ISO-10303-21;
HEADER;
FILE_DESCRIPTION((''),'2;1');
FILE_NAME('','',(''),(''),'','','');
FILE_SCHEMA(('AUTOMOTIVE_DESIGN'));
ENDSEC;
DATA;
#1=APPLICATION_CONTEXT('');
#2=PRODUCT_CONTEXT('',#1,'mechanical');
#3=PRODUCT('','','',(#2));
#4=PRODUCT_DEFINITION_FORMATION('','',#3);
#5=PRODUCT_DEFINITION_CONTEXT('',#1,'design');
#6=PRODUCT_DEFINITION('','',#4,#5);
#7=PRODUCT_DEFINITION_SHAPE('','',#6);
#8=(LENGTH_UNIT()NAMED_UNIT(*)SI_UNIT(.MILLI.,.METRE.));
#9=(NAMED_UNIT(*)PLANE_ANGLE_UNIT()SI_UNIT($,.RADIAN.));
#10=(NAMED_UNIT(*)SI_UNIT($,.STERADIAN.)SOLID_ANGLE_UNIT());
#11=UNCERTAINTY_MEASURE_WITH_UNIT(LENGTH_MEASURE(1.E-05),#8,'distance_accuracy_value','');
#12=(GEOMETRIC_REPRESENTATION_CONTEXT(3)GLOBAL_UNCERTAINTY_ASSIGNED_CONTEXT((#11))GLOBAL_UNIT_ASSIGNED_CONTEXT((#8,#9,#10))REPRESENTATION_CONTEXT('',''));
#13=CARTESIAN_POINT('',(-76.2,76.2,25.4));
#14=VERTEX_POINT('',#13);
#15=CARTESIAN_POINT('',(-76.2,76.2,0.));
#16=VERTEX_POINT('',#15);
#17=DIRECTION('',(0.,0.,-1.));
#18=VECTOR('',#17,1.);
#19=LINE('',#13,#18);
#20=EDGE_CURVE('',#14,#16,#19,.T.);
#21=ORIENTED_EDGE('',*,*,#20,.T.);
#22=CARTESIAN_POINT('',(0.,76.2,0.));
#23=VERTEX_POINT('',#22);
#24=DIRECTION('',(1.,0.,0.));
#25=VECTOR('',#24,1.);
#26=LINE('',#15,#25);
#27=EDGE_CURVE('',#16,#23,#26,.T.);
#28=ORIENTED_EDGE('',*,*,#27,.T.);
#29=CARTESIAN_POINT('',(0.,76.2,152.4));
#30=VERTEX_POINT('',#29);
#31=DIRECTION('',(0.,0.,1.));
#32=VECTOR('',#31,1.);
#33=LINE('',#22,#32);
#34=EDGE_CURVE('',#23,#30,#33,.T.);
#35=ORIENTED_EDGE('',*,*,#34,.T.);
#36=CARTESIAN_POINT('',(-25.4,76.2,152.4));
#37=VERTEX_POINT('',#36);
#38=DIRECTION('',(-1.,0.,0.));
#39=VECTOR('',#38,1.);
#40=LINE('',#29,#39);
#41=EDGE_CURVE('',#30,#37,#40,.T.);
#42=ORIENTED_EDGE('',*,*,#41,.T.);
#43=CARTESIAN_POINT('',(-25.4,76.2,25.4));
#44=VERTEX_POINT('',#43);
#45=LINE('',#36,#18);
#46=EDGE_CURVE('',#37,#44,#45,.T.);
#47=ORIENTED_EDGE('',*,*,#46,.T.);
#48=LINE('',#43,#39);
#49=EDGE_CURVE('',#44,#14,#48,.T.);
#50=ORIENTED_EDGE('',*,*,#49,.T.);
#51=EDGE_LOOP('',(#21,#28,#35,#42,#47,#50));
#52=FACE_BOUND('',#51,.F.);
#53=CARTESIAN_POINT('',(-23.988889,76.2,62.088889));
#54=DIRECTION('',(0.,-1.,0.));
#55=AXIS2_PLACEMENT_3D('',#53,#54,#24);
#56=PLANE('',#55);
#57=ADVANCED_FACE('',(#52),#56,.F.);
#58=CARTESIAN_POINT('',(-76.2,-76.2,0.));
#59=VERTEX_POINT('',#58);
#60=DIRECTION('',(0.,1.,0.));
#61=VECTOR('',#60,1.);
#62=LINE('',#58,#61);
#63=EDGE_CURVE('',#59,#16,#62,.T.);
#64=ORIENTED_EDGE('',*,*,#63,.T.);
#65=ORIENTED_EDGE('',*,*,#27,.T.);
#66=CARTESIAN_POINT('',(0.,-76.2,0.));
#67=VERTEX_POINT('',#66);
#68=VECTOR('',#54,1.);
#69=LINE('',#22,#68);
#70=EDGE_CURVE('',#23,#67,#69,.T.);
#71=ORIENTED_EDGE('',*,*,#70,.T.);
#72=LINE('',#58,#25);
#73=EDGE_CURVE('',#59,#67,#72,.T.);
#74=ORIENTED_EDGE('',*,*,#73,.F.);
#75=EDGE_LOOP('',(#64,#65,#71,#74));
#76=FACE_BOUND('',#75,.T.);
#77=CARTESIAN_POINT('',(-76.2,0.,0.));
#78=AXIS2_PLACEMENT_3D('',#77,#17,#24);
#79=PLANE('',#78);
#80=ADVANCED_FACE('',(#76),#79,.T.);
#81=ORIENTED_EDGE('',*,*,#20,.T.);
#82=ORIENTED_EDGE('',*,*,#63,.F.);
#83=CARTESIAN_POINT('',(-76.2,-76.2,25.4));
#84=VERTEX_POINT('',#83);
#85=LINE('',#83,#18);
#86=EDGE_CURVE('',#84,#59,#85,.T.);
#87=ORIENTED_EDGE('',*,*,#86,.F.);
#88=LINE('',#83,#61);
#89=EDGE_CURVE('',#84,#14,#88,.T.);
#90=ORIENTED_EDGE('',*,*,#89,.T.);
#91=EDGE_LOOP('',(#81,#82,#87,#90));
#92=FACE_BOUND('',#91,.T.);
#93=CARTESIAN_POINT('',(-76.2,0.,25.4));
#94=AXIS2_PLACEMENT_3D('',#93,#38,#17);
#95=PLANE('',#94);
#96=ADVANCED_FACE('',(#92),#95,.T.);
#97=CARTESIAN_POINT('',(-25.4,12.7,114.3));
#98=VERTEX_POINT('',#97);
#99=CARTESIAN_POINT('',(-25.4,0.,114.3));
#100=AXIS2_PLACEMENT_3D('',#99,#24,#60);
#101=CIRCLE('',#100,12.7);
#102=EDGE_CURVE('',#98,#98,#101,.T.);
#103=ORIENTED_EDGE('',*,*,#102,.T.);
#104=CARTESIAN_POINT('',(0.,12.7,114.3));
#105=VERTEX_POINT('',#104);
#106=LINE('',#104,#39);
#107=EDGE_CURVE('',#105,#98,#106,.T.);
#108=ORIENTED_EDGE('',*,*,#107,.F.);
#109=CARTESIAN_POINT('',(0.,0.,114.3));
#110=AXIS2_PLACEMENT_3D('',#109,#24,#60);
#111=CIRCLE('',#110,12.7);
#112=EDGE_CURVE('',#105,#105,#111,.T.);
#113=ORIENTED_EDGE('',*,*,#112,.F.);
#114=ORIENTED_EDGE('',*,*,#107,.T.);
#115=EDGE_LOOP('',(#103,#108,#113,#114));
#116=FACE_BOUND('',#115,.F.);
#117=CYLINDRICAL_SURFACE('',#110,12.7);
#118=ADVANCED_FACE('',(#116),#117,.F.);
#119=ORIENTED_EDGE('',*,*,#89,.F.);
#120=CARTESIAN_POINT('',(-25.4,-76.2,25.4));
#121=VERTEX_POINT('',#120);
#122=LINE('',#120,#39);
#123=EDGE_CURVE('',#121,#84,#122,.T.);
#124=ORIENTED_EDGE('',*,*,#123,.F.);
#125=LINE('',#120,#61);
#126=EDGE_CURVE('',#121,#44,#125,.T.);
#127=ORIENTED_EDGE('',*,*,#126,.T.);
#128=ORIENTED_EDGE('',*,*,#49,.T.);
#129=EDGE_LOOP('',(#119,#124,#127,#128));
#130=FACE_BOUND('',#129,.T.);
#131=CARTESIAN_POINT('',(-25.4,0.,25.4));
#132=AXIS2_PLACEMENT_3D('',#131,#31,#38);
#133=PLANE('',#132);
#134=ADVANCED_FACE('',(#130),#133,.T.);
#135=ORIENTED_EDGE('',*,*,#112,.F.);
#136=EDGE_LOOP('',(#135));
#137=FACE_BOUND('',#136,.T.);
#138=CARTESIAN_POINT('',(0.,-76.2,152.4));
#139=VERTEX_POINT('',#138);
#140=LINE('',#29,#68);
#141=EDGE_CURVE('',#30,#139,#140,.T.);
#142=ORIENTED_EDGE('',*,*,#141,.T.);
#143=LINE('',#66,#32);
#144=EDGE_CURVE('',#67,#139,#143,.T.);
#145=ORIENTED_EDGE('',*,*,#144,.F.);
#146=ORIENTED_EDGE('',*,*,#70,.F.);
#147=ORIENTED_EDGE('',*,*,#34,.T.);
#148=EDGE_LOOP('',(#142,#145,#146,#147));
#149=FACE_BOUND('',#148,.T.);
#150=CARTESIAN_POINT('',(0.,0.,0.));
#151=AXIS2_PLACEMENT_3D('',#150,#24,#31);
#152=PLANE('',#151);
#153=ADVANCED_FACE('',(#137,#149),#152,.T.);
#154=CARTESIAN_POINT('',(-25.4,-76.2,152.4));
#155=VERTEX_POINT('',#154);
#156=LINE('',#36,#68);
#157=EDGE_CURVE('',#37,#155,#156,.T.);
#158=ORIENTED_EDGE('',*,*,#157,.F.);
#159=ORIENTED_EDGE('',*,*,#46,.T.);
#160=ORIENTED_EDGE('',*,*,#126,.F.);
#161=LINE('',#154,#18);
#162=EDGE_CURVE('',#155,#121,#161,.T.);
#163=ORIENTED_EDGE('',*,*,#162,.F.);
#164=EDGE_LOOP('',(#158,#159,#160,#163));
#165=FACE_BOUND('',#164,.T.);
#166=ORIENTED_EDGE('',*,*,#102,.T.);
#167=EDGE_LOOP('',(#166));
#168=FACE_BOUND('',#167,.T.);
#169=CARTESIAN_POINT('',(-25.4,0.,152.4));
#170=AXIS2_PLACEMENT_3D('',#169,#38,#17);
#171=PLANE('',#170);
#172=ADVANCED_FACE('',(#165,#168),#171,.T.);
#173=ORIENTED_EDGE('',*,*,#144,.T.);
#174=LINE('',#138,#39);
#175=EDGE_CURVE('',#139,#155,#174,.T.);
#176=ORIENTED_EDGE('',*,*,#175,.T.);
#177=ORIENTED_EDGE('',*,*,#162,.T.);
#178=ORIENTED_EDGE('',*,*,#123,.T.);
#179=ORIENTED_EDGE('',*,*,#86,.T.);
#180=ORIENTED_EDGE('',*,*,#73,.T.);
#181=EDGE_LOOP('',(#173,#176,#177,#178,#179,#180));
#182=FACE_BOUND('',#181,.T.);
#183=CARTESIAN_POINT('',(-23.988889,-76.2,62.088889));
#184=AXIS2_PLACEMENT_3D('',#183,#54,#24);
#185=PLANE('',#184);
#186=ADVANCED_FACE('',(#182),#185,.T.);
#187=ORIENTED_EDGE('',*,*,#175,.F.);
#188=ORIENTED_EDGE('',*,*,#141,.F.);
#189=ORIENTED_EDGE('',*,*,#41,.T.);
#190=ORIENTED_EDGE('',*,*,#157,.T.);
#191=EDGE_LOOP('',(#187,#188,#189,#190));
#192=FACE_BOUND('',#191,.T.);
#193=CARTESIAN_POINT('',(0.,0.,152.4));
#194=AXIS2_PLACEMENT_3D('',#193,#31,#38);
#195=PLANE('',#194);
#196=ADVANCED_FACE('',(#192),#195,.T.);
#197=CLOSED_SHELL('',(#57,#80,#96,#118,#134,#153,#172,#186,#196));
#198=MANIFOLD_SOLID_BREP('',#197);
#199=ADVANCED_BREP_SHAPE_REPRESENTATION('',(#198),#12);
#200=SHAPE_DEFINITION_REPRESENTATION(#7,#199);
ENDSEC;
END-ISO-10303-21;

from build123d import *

# Parameters (mm, degrees)
F1_DEPTH = 76.2
F2_R     = 12.7
F3_DEPTH = 76.201


with BuildPart() as f1:
    # F0 (on Front) → F1 (new body, symmetric)
    with BuildSketch(Plane.XZ):
        Polygon((-76.2, 0), (0, 0), (0, 152.4), (-25.4, 152.4), (-25.4, 25.4), (-76.2, 25.4), align=None)
    extrude(amount=F1_DEPTH, both=True)

    # F2 (on face) → F3 (cut, through all)
    with BuildSketch(Plane.YZ):
        with Locations((0, 114.3)):
            Circle(F2_R)
    extrude(amount=-F3_DEPTH, mode=Mode.SUBTRACT)


solid = f1.part
